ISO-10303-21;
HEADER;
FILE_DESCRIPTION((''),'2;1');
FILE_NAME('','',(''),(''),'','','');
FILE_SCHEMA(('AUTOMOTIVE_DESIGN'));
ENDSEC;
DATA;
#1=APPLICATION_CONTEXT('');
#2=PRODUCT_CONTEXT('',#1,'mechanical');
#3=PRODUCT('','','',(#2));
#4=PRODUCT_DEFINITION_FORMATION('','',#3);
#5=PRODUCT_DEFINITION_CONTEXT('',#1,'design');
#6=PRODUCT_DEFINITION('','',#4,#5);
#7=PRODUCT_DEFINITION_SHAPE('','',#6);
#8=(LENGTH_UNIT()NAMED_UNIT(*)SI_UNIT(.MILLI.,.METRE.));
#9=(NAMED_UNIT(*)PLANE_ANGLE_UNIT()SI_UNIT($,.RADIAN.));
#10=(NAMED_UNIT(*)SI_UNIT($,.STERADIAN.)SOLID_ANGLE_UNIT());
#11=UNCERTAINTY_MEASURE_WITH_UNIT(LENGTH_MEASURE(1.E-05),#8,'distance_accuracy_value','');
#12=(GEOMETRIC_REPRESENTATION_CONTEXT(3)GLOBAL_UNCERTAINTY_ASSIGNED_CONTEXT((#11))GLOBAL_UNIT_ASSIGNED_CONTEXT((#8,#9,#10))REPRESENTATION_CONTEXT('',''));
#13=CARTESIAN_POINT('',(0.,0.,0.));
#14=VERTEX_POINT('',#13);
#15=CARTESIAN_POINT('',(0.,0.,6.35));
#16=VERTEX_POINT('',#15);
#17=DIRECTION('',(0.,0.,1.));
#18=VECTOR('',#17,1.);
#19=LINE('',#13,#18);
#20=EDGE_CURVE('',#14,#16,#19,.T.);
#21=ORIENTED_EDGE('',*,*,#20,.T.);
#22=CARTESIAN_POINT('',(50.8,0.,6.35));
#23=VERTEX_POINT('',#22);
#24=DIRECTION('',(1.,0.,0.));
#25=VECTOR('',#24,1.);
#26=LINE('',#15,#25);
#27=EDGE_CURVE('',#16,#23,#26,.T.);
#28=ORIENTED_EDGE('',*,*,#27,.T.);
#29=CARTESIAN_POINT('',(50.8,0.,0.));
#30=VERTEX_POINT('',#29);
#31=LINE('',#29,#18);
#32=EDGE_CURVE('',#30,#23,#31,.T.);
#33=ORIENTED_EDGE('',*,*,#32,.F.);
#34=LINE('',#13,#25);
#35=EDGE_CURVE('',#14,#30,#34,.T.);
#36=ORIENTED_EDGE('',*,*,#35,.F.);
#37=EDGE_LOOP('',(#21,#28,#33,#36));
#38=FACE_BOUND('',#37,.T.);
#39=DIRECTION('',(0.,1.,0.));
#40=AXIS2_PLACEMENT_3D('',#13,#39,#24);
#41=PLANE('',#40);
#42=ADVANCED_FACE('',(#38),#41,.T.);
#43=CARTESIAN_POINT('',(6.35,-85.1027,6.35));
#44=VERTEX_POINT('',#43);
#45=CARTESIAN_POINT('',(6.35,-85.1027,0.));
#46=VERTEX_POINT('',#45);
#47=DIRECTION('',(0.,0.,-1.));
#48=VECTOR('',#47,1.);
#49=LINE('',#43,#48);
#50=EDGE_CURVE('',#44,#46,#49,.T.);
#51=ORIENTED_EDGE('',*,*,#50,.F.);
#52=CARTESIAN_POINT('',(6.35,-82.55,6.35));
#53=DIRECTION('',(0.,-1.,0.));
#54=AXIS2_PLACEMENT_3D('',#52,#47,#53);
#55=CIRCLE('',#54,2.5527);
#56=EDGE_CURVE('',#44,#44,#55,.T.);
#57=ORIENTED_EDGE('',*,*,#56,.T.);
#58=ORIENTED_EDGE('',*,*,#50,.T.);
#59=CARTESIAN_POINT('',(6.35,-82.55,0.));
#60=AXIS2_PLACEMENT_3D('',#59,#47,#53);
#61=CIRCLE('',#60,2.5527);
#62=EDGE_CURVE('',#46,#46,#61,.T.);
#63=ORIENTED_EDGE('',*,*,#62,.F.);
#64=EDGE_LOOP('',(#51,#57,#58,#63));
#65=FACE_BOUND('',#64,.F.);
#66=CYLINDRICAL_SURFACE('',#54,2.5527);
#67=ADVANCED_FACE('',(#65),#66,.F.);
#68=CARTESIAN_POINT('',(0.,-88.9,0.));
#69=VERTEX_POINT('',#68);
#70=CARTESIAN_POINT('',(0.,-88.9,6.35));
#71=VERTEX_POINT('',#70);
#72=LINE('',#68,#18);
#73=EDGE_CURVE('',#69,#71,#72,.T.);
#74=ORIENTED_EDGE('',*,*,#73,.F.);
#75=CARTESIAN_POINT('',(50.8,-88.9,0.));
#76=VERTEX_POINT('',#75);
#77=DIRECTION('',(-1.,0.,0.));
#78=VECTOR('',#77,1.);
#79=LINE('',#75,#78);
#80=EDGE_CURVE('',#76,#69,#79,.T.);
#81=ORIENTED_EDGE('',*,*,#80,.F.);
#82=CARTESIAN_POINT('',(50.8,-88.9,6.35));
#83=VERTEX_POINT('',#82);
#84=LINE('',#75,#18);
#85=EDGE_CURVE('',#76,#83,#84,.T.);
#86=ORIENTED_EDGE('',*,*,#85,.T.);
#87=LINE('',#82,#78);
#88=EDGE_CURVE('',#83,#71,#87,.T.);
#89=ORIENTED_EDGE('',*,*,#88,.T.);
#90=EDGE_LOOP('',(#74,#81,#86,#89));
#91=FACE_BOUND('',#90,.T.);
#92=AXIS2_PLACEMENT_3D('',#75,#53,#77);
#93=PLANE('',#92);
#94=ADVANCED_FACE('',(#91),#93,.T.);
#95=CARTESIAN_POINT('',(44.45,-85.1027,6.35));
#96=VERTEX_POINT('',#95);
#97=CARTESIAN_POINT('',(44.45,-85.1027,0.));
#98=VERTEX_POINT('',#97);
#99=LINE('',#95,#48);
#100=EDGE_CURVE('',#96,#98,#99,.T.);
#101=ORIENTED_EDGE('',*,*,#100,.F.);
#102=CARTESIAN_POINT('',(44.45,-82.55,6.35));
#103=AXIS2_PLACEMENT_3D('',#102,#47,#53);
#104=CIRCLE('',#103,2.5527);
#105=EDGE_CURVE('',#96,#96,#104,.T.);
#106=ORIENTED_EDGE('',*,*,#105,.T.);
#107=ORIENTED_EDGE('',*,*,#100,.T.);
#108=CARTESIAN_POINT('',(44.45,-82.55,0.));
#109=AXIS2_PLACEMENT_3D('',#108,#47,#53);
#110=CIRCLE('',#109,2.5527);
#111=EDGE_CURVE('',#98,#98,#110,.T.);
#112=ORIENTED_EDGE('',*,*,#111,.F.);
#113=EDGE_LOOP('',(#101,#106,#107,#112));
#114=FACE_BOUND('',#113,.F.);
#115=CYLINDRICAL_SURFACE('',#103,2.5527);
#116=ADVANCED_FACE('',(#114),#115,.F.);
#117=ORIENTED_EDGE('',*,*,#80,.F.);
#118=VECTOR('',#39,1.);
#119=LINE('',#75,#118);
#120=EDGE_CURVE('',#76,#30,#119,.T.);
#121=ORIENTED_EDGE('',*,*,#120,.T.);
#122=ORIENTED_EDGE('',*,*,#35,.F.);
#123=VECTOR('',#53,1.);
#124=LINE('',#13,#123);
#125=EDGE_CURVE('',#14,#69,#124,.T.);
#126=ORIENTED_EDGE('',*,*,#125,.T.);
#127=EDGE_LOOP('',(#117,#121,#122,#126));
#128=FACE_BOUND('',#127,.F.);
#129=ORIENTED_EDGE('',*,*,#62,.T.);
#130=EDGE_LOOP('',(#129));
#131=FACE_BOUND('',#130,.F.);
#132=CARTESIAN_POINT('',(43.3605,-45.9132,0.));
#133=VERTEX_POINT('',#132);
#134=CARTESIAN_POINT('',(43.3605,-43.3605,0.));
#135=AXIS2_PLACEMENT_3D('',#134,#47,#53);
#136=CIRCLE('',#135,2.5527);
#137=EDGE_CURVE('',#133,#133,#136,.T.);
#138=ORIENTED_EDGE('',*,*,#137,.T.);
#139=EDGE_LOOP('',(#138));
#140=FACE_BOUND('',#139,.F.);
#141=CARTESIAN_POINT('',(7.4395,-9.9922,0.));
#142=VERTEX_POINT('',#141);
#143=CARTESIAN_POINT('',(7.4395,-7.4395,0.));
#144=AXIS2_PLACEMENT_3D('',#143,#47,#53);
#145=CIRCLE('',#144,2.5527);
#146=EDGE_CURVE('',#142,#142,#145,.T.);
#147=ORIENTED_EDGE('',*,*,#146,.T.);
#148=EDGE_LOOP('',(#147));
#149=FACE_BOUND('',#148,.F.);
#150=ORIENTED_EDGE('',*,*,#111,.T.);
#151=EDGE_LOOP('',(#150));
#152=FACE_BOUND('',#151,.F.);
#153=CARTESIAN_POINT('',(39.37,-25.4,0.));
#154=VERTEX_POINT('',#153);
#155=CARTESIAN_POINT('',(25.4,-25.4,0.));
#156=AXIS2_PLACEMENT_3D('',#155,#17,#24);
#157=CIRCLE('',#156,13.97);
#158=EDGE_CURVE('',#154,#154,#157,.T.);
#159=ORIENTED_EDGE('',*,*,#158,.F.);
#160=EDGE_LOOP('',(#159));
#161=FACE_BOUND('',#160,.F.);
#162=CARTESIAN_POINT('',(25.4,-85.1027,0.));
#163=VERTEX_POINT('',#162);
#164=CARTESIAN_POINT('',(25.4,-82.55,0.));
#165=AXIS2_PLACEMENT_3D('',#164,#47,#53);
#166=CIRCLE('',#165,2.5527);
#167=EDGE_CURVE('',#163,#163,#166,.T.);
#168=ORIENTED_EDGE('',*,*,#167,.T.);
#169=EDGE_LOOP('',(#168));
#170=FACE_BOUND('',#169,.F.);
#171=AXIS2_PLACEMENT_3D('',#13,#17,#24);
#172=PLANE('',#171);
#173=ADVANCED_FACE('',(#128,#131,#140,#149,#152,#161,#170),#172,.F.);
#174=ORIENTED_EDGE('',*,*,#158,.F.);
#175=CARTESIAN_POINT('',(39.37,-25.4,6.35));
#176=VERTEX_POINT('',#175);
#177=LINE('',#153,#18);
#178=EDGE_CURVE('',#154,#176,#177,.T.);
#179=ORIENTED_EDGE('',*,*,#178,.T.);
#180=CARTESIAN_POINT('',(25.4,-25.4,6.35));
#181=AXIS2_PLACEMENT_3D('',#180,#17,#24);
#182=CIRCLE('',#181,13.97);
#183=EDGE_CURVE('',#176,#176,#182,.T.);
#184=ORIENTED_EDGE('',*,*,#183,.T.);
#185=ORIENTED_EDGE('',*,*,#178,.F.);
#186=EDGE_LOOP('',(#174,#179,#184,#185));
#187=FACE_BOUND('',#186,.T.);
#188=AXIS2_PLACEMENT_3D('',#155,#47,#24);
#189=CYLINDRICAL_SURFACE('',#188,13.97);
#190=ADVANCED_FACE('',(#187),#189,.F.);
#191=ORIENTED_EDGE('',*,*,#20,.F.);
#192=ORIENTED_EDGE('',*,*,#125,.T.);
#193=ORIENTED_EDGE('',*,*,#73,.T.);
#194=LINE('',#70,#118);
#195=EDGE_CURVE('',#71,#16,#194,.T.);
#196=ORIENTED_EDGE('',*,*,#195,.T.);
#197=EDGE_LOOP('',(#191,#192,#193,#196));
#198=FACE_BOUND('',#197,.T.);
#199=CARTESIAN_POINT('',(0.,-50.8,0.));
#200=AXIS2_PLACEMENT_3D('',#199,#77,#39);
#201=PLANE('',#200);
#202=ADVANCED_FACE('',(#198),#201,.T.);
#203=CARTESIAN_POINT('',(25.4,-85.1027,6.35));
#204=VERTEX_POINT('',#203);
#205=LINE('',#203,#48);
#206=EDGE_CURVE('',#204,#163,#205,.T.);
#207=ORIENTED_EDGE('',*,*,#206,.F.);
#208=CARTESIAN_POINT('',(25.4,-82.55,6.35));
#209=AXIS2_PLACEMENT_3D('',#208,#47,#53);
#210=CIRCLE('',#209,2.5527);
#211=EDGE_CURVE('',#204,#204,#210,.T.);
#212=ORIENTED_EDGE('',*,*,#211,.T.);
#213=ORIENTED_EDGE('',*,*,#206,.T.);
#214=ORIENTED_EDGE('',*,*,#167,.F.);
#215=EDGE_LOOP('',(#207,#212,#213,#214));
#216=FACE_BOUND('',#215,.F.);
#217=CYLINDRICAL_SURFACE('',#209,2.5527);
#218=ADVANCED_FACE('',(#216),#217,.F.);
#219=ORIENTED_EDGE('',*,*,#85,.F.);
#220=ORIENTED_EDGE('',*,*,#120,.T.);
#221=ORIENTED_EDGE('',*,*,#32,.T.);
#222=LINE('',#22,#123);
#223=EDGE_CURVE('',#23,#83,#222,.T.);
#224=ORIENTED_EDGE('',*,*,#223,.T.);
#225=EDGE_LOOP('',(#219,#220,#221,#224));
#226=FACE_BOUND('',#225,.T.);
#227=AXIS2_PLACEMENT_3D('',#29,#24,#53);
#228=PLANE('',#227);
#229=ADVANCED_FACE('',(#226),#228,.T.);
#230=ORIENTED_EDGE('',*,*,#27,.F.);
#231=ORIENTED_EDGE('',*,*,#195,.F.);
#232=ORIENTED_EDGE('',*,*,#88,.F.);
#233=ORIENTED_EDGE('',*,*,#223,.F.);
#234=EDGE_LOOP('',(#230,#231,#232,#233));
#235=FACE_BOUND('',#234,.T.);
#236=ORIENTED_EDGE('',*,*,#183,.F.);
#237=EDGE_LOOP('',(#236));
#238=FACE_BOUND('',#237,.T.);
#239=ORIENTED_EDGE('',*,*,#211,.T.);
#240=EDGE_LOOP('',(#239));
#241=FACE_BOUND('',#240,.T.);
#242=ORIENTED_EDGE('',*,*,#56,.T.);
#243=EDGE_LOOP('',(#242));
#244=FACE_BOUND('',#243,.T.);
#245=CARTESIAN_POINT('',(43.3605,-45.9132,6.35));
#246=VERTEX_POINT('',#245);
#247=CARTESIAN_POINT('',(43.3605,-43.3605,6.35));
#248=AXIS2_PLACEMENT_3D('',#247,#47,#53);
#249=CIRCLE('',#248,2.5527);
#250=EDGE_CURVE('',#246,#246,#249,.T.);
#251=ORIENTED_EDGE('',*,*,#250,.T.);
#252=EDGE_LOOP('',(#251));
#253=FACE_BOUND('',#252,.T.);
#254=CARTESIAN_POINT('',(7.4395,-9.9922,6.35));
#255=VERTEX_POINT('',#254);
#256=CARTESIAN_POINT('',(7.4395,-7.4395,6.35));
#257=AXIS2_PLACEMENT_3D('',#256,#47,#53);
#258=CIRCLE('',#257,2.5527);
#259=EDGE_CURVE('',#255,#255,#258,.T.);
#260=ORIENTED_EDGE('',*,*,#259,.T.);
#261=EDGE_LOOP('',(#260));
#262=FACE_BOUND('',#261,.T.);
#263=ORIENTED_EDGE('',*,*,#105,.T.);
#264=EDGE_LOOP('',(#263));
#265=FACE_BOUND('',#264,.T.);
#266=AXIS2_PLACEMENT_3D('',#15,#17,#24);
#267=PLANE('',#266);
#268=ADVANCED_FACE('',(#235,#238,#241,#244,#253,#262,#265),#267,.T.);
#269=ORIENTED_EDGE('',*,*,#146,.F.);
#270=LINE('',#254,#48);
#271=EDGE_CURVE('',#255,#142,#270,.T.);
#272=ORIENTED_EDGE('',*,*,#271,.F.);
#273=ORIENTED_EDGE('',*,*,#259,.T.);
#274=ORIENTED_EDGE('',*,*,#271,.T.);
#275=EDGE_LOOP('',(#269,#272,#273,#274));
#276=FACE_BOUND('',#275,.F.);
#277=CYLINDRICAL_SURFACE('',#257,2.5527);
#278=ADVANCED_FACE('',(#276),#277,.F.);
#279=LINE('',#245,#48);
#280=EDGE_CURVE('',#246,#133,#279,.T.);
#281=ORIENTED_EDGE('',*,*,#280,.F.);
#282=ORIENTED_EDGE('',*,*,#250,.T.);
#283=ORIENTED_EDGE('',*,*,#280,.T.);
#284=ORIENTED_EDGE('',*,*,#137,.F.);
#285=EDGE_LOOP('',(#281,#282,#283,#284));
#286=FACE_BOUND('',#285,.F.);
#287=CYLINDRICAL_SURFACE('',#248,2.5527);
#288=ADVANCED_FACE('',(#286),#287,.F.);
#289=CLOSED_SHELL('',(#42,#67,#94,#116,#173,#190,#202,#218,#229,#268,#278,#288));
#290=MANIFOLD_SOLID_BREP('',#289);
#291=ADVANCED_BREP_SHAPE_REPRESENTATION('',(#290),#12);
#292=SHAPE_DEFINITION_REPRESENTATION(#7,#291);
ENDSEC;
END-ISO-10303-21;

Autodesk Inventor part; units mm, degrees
ref_plane "YZ Plane" through (0, 0, 0) normal (1, 0, 0) x (0, 1, 0)
ref_plane "XZ Plane" through (0, 0, 0) normal (0, 1, 0) x (-1, 0, 0)
ref_plane "XY Plane" through (0, 0, 0) normal (0, 0, 1) x (1, 0, 0)
sketch "Sketch1" plane through (0, 0, 0) normal (0, 0, 1) x (1, 0, 0)
  line L0 (0, 0) -> (50.8, 0)
  line L1 (50.8, 0) -> (50.8, -50.8)
  line L2 (50.8, -50.8) -> (0, -50.8)
  line L3 (0, -50.8) -> (0, 0)
  line L4 (0, -50.8) -> (50.8, -50.8)
  line L5 (50.8, -50.8) -> (50.8, -88.9)
  line L6 (50.8, -88.9) -> (0, -88.9)
  line L7 (0, -88.9) -> (0, -50.8)
  line L8 (0, 0) -> (50.8, -50.8) construction
  circle A0 centre (25.4, -25.4) radius 13.97
  point P0 (42.0116, -42.0116)
  dimension "d0" = 50.8
  dimension "d1" = 50.8
  dimension "d2" = 38.1
  dimension "d3" = 27.94
extrude "Extrusion1" add sketch "Sketch1" along normal blind 6.35
sketch "Sketch2" plane through (0, 0, 6.35) normal (0, 0, 1) x (1, 0, 0)
  circle A0 centre (25.4, -25.4) radius 13.97 construction
  circle A1 centre (25.4, -25.4) radius 25.4 construction
  line L0 (25.4, -25.4) -> (7.4395, -7.4395) construction
  line L1 (25.4, -25.4) -> (50.8, -25.4) construction
  line L2 (25.4, -25.4) -> (43.3605, -43.3605) construction
  line L3 (25.4, -25.4) -> (50.8, -25.4) construction
  point P0 (0, 0)
  dimension "d6" = 50.8
  dimension "d7" = 25.4
  dimension "d8" = 135
  dimension "d9" = 45
hole "Hole1" at (7.4395, -7.4395, 6.35) at (43.3605, -43.3605, 6.35) direction (0, 0, -1) diameter 5.1054 depth 10.795 clearance for "Hex Machine Screw" size "#10" standard "Ansi Unified Screw Threads"
sketch "Sketch3" plane through (0, 0, 6.35) normal (0, 0, 1) x (1, 0, 0)
  line L0 (0, -88.9) -> (50.8, -88.9) construction
  line L1 (50.8, -88.9) -> (50.8, 0) construction
  line L2 (0, -88.9) -> (50.8, -88.9) construction
  line L3 (50.8, -88.9) -> (50.8, -82.55) construction
  line L4 (50.8, -82.55) -> (0, -82.55) construction
  line L5 (0, -82.55) -> (0, -88.9) construction
  line L6 (0, -82.55) -> (25.4, -82.55) construction
  line L7 (25.4, -82.55) -> (50.8, -82.55) construction
  point P0 (0, 0)
  point P1 (6.35, -82.55)
  point P2 (44.45, -82.55)
  dimension "d17" = 6.35
  dimension "d18" = 19.05
  dimension "d19" = 19.05
hole "Hole2" at (25.4, -82.55, 6.35) at (6.35, -82.55, 6.35) at (44.45, -82.55, 6.35) direction (0, 0, -1) diameter 5.1054 depth 10.795 clearance for "Hex Machine Screw" size "#10" standard "Ansi Unified Screw Threads"
chamfer "Chamfer1" [suppressed]
properties part number "Versaplanetary Mount"
